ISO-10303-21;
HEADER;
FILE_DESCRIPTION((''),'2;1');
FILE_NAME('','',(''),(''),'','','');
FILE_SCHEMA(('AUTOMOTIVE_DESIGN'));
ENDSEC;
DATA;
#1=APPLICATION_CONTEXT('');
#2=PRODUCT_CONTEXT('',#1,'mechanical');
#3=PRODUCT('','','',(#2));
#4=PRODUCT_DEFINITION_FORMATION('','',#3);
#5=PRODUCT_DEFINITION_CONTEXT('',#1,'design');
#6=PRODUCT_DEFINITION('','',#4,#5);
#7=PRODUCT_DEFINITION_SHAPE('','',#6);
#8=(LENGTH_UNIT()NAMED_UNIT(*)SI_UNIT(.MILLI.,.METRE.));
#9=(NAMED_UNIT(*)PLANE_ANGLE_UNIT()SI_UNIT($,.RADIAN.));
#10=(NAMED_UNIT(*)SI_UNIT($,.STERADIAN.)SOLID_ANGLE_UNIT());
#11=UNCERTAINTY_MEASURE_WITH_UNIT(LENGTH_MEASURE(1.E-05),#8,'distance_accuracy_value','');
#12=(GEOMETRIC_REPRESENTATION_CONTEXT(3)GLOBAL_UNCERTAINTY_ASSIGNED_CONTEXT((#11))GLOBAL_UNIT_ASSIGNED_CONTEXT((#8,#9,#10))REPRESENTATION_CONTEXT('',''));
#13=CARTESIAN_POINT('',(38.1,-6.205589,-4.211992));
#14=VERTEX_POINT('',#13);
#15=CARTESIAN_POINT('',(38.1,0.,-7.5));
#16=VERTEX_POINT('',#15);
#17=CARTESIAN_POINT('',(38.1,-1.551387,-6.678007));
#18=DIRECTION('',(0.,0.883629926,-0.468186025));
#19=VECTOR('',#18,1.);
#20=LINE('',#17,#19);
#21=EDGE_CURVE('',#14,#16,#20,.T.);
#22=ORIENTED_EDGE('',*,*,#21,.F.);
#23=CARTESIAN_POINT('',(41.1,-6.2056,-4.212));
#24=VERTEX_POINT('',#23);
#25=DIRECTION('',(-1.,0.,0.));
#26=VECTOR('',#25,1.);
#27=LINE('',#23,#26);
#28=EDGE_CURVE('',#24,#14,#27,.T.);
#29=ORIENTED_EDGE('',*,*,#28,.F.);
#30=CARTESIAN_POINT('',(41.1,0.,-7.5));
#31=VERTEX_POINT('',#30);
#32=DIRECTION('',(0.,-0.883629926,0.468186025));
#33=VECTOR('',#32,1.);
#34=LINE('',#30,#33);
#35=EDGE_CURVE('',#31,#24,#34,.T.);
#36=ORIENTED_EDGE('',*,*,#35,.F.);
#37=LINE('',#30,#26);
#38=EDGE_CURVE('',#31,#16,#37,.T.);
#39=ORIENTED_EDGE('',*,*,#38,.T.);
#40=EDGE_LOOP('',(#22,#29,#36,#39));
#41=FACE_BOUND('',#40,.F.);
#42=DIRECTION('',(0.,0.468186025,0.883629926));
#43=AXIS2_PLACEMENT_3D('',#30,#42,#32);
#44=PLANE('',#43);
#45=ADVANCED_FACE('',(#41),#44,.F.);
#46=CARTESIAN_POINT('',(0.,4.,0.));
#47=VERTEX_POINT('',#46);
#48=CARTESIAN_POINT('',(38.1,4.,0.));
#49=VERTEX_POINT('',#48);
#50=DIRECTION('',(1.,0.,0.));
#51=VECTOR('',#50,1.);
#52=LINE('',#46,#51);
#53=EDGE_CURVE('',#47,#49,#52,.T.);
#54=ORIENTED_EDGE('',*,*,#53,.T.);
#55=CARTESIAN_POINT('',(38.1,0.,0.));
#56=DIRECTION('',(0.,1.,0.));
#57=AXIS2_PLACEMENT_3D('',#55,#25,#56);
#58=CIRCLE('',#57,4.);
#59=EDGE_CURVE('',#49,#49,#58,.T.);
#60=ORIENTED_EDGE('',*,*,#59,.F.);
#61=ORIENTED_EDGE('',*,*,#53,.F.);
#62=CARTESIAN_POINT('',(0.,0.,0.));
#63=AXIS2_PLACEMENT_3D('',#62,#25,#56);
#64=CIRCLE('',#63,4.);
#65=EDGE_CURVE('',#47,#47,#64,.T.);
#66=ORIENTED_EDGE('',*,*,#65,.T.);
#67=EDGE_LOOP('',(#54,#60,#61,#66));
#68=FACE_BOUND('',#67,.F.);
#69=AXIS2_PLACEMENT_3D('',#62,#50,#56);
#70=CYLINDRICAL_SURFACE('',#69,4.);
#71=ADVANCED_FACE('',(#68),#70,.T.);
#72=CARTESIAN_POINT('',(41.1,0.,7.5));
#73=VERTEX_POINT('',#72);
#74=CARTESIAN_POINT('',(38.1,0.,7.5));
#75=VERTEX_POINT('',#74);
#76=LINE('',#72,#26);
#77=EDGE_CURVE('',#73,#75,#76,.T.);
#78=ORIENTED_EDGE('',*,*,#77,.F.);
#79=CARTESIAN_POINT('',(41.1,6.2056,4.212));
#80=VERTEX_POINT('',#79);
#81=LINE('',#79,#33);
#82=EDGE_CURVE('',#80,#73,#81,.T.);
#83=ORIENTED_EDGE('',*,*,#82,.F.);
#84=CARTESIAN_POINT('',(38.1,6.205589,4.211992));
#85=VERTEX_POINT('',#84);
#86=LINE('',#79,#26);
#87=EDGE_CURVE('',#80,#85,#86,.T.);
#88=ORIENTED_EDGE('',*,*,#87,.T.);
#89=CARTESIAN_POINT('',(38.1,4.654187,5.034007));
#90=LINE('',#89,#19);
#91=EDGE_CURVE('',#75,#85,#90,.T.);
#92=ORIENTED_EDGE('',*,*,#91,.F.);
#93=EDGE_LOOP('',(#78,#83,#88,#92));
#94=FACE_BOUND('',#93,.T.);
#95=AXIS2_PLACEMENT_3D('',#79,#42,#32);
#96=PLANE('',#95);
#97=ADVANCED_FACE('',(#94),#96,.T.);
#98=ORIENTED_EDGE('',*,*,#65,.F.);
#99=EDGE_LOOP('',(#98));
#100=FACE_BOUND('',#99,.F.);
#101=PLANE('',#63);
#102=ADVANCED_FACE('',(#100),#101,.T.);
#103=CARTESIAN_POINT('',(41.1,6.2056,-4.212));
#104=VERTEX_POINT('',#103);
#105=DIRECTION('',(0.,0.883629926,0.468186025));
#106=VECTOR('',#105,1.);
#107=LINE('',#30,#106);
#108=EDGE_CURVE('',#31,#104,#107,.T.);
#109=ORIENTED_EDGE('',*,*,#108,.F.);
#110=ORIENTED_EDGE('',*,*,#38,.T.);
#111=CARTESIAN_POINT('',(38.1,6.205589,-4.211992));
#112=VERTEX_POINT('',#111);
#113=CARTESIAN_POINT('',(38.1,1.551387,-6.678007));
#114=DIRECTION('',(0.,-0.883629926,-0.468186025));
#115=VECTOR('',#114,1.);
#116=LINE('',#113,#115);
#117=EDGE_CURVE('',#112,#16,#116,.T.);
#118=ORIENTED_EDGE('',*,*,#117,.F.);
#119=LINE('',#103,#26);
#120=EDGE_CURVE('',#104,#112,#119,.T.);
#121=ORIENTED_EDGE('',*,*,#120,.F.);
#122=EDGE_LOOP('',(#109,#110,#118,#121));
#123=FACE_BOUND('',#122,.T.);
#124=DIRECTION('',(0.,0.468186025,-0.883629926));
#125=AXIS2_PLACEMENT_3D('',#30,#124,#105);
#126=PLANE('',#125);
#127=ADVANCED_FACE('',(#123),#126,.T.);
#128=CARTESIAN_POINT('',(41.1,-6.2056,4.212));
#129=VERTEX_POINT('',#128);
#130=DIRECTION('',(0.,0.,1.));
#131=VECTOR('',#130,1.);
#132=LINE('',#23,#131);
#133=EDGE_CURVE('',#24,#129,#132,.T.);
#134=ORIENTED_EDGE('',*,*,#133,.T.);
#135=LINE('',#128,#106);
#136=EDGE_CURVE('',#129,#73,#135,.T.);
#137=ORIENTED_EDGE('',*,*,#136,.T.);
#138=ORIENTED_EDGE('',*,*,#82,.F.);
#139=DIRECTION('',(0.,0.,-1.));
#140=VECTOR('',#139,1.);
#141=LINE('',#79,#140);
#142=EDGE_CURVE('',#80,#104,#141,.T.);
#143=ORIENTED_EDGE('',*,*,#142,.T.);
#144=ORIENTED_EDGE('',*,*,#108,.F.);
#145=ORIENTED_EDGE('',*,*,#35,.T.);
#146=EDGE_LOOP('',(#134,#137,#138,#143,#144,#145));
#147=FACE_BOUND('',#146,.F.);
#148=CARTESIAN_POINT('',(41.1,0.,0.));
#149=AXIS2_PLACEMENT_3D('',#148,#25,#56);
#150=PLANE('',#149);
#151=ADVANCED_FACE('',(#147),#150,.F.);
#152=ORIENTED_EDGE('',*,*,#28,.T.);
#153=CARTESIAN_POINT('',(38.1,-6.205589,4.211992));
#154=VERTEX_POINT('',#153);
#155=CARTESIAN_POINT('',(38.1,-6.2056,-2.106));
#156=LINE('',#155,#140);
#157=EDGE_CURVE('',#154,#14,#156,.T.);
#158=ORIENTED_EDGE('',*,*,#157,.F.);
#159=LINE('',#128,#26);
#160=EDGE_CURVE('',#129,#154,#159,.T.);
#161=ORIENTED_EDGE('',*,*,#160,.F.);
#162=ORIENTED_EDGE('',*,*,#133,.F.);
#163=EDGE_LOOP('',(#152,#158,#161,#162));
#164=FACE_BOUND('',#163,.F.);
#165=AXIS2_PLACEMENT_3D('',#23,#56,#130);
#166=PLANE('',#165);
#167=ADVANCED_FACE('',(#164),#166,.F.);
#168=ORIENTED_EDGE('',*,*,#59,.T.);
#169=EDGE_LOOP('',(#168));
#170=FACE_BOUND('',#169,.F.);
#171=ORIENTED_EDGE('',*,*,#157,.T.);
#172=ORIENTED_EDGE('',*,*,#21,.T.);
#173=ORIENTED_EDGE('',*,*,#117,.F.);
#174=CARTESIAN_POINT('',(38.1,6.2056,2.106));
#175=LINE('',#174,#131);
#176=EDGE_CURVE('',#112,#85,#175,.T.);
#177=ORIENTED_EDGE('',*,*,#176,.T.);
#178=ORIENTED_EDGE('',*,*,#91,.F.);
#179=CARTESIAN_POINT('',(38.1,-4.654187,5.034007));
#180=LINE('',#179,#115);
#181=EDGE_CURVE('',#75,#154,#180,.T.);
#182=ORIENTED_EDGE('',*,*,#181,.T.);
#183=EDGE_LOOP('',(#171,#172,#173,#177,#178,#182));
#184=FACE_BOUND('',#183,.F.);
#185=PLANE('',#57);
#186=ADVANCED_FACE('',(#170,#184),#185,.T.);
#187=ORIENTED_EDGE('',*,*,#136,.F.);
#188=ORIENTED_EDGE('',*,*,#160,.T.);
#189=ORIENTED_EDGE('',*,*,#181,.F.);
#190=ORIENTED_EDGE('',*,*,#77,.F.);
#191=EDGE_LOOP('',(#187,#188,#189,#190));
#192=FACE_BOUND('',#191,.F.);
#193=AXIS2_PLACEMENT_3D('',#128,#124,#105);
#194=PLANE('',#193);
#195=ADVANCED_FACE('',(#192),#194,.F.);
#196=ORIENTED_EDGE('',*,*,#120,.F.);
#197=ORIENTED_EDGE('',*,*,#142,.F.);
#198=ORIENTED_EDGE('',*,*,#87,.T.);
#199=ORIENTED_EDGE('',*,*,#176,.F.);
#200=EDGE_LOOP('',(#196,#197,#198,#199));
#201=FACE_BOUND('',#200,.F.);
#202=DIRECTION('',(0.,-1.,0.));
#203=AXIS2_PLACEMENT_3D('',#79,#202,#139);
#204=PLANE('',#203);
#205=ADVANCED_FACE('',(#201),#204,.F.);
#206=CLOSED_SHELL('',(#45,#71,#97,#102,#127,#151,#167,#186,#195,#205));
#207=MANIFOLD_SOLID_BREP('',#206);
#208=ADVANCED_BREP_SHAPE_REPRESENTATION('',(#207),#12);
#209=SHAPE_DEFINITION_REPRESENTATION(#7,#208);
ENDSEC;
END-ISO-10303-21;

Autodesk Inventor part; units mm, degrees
ref_plane "YZ Plane" through (0, 0, 0) normal (1, 0, 0) x (0, 1, 0)
ref_plane "XZ Plane" through (0, 0, 0) normal (0, 1, 0) x (-1, 0, 0)
ref_plane "XY Plane" through (0, 0, 0) normal (0, 0, 1) x (1, 0, 0)
sketch "Sketch1" plane through (0, 0, 0) normal (0, 0, 1) x (1, 0, 0)
  line L0 (0, 0) -> (0, 4)
  line L1 (0, 4) -> (38.1, 4)
  line L2 (38.1, 4) -> (38.1, 7.5)
  line L3 (38.1, 7.5) -> (41.1, 7.5)
  line L4 (41.1, 7.5) -> (41.1, 0)
  line L5 (41.1, 0) -> (0, 0)
  dimension "d0" = 4
  dimension "d1" = 38.1
  dimension "d2" = 3
  dimension "d3" = 7.5
revolve "Revolution1" add sketch "Sketch1" angle 360 about axis through (41.1, 0, 0) along (-1, 0, 0)
sketch "Sketch2" plane through (41.1, 0, 0) normal (1, 0, 0) x (0, 0, -1)
  circle A0 centre (0, 0) radius 7.5 projected
  line L0 (-4.212, 6.2056) -> (4.212, 6.2056)
  line L1 (7.5, 0) -> (4.212, 6.2056)
  line L2 (7.5, 0) -> (4.212, -6.2056)
  line L3 (4.212, -6.2056) -> (-4.212, -6.2056)
  line L4 (-4.212, -6.2056) -> (-7.5, 0)
  line L5 (-4.212, 6.2056) -> (-7.5, 0)
extrude "Extrusion1" cut sketch "Sketch2" against normal up to next contours L1 A0 | A0 L2 | L0 A0 | A0 L3 | L5 A0 | A0 L4
properties part number "8mm_x_rail_connection"
